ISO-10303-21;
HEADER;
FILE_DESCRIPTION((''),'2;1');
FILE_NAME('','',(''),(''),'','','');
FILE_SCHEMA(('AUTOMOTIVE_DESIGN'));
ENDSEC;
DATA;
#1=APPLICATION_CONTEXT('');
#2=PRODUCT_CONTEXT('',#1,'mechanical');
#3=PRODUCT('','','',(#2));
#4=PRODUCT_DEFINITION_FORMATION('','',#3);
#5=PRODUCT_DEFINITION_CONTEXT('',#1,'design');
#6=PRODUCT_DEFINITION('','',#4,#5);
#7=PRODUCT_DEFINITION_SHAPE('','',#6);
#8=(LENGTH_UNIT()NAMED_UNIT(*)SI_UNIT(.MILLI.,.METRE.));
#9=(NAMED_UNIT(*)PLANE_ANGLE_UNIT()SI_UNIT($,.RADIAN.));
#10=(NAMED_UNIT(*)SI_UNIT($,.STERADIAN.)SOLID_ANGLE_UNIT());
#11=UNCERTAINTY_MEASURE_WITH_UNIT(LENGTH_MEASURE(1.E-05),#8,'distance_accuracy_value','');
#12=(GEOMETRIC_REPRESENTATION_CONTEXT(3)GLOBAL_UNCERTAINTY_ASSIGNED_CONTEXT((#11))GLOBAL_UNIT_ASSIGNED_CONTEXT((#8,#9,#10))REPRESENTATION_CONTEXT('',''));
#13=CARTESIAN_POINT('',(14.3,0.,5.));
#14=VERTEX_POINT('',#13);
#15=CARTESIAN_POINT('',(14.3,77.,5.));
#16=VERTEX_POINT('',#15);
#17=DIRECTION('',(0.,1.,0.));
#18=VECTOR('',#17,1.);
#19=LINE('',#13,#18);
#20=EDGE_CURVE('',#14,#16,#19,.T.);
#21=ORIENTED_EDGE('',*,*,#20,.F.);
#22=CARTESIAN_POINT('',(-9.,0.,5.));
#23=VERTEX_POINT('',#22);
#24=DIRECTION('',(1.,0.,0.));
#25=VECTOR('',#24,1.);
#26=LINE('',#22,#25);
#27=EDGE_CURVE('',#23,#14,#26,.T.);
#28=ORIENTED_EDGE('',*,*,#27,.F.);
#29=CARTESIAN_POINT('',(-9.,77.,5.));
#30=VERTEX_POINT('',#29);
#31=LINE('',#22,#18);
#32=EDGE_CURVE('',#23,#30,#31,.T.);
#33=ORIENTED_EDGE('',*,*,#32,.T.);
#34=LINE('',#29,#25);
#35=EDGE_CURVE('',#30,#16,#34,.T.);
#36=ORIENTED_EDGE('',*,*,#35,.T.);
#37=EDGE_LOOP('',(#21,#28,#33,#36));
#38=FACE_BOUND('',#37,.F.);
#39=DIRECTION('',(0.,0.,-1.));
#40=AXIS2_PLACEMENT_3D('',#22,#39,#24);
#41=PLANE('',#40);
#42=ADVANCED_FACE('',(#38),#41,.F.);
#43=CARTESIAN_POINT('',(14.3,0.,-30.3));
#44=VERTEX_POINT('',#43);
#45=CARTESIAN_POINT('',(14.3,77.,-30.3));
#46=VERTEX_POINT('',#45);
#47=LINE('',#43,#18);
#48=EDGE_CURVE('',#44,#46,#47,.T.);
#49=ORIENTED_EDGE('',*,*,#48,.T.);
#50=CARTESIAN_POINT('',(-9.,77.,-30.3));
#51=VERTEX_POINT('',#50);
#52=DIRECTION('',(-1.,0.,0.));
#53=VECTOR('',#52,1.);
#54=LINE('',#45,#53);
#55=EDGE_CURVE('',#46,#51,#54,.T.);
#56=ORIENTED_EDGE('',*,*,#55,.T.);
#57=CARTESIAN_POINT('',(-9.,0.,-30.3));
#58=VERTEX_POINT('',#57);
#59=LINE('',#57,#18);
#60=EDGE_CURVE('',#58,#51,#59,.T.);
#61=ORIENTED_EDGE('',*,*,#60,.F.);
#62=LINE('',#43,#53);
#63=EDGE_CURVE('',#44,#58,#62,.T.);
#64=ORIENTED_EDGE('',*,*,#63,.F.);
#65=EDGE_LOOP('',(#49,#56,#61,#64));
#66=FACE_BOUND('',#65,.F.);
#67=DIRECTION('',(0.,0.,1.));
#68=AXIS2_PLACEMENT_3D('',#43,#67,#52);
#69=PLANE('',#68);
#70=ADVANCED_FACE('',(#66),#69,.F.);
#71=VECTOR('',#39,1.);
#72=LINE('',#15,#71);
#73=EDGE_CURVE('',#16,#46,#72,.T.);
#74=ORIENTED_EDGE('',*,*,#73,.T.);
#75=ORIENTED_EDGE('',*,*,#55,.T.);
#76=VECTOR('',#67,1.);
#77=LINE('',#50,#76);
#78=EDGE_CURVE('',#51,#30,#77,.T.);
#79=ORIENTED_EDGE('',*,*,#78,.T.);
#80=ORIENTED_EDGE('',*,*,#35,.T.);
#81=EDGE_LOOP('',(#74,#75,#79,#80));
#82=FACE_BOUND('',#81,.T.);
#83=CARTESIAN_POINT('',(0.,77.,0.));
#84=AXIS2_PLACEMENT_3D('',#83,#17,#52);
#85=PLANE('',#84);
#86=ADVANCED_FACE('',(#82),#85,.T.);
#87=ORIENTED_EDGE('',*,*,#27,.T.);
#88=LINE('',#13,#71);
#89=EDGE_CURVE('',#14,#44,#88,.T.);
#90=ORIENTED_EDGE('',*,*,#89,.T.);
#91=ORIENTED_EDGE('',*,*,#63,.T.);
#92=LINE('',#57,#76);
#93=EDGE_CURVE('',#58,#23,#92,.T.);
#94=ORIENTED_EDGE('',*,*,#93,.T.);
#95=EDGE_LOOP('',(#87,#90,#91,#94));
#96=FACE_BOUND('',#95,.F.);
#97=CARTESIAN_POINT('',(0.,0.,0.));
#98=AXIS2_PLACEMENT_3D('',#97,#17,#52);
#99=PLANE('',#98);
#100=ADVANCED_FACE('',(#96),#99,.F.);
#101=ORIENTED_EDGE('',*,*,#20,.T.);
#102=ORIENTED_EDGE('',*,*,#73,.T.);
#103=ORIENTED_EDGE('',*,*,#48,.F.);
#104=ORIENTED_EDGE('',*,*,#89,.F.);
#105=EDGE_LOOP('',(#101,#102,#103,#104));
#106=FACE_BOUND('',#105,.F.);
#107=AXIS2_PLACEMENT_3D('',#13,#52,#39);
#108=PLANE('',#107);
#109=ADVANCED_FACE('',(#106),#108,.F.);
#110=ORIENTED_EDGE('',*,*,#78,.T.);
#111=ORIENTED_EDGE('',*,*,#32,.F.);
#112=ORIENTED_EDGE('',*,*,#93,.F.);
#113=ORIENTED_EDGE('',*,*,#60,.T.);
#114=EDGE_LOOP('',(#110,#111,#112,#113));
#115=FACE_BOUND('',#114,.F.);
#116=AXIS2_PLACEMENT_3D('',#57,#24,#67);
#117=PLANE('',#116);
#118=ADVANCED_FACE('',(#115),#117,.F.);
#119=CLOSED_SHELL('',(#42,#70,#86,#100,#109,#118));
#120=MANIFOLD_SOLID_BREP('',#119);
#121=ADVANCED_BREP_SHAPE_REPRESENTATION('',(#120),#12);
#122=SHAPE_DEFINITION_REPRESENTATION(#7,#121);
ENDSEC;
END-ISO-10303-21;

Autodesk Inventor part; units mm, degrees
ref_plane "YZ Plane" through (0, 0, 0) normal (1, 0, 0) x (0, 1, 0)
ref_plane "XZ Plane" through (0, 0, 0) normal (0, 1, 0) x (-1, 0, 0)
ref_plane "XY Plane" through (0, 0, 0) normal (0, 0, 1) x (1, 0, 0)
sketch "Эскиз1" plane through (0, 0, 0) normal (0, 1, 0) x (-1, 0, 0)
  line L0 (9, 5) -> (-14.3, 5)
  line L1 (-14.3, 5) -> (-14.3, -30.3)
  line L2 (-14.3, -30.3) -> (9, -30.3)
  line L3 (9, -30.3) -> (9, 5)
  point P0 (0, 0)
  dimension "d0" = 23.3
  dimension "d1" = 35.3
extrude "Выдавливание1" add sketch "Эскиз1" along normal blind 77
properties part number "akb"
